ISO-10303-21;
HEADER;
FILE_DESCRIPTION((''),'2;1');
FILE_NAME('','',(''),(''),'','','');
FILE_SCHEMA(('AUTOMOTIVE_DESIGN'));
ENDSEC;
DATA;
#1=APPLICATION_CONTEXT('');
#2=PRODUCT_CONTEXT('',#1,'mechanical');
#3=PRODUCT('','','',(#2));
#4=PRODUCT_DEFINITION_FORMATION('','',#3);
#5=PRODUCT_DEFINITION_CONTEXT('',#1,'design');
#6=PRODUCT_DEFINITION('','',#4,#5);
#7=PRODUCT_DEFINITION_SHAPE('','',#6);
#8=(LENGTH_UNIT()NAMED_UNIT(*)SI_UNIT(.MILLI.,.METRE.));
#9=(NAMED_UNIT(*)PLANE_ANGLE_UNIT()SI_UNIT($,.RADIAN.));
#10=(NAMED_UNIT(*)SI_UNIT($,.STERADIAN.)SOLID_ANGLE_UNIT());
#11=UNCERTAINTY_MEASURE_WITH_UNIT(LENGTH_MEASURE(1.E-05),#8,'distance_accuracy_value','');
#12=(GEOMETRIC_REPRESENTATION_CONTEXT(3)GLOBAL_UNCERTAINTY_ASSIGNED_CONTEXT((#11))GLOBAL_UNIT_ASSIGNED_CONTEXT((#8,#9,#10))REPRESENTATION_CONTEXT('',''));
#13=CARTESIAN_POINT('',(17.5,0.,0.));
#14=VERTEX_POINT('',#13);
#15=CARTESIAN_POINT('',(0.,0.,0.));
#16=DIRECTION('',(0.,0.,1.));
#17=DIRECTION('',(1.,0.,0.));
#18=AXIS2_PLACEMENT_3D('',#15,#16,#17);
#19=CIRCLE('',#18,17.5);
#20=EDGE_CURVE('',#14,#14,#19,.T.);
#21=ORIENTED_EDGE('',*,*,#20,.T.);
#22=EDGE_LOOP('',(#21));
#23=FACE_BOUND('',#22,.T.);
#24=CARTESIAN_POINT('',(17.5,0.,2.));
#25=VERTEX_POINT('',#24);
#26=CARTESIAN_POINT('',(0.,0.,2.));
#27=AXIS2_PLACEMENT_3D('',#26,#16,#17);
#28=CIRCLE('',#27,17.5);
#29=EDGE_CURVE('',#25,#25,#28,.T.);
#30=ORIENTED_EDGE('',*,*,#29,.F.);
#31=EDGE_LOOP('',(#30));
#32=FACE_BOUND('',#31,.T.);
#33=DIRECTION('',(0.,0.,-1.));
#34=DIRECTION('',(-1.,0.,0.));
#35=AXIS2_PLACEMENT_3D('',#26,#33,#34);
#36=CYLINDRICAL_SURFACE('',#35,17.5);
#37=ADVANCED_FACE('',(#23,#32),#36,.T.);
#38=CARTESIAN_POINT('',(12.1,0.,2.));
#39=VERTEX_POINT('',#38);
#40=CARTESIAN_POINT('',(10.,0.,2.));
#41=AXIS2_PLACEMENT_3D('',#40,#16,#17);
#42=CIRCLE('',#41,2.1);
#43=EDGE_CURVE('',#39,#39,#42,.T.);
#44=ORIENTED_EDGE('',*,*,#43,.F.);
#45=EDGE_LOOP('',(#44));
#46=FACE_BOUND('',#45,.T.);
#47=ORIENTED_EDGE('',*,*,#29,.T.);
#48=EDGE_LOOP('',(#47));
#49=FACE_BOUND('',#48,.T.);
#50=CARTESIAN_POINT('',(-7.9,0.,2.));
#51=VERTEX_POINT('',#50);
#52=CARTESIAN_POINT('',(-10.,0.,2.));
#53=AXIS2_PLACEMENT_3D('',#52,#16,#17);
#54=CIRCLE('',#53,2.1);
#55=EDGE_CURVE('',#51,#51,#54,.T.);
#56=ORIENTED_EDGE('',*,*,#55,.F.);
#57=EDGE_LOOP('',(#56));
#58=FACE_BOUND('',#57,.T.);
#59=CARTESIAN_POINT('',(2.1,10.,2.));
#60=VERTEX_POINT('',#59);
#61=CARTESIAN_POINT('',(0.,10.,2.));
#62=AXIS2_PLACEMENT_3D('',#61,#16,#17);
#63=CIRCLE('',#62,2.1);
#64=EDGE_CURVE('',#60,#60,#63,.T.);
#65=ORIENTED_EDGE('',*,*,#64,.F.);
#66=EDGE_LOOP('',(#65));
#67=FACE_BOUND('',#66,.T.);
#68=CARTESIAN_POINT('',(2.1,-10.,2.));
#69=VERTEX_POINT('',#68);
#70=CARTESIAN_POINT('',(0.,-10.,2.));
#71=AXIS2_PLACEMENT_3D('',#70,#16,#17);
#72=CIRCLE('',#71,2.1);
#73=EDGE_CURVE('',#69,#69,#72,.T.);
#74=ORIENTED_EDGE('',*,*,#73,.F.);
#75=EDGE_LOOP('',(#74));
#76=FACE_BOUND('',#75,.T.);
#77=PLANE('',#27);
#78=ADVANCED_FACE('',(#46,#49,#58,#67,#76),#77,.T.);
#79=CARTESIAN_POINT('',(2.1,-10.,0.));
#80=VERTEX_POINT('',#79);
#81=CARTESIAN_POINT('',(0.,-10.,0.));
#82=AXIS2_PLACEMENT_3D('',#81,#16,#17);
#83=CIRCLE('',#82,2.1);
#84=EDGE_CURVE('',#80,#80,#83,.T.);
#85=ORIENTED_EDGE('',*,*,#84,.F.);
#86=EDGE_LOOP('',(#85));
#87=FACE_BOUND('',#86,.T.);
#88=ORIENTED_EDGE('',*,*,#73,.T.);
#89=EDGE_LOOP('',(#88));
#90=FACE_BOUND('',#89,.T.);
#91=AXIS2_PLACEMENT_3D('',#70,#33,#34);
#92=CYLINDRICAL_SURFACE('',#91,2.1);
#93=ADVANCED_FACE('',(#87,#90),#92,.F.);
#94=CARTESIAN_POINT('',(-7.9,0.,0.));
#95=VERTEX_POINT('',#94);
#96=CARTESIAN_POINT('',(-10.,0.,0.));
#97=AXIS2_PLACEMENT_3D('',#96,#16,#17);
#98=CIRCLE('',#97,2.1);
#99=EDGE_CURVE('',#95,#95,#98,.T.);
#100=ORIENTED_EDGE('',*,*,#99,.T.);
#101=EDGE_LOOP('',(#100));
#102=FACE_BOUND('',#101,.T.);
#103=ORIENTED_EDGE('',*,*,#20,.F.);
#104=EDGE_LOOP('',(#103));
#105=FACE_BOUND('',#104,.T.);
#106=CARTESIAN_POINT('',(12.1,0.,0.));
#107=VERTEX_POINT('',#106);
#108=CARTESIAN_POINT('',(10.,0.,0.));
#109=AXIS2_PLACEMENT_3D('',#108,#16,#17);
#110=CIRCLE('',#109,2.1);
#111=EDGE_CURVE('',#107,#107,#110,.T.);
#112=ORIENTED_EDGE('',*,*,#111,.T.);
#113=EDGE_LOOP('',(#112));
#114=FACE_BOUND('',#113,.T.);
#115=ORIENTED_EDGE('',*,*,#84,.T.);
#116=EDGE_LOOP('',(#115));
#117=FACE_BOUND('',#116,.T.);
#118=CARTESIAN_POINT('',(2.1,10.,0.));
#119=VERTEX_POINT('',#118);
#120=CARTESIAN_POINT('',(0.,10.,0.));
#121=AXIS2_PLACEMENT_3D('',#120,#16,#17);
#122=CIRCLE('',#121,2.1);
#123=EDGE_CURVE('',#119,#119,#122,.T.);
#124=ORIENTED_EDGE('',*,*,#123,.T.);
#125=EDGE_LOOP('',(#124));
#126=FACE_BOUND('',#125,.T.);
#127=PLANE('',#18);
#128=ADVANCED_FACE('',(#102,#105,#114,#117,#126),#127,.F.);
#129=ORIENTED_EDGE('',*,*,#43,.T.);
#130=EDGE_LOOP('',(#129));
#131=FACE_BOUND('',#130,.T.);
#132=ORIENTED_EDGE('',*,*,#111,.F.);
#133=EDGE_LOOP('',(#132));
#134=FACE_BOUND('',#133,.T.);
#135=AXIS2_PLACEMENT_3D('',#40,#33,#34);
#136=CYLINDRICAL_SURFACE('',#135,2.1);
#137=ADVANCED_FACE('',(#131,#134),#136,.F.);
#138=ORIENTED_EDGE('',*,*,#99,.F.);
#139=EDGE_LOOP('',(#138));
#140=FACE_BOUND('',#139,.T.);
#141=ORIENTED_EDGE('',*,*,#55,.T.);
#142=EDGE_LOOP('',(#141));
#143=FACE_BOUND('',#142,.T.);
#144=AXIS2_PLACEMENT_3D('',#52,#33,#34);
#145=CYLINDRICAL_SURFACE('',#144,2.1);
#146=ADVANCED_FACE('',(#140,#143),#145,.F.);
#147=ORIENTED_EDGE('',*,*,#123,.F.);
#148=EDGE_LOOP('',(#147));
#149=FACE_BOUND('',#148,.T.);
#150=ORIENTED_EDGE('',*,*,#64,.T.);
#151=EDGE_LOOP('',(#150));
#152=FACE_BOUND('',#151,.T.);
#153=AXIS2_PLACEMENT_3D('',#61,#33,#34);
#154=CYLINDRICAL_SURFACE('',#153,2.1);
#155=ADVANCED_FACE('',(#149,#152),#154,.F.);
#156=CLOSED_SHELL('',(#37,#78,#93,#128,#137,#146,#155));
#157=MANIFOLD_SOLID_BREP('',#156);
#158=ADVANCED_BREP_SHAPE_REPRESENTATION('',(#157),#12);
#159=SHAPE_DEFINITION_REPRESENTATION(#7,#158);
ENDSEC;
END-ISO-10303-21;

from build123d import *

# Parameters (mm, degrees)
SKETCH_1_R      = 17.5
SKETCH_1_R_2    = 2.1
EXTRUDE_1_DEPTH = 2


with BuildPart() as part:
    # 草图1 → 凸台-拉伸1 (new body)
    with BuildSketch(Plane.XY):
        Circle(SKETCH_1_R)
        with Locations((0, 10)):
            Circle(SKETCH_1_R_2, mode=Mode.SUBTRACT)
        with Locations((10, 0)):
            Circle(SKETCH_1_R_2, mode=Mode.SUBTRACT)
        with Locations((0, -10)):
            Circle(SKETCH_1_R_2, mode=Mode.SUBTRACT)
        with Locations((-10, 0)):
            Circle(SKETCH_1_R_2, mode=Mode.SUBTRACT)
    extrude(amount=EXTRUDE_1_DEPTH)


solid = part.part
